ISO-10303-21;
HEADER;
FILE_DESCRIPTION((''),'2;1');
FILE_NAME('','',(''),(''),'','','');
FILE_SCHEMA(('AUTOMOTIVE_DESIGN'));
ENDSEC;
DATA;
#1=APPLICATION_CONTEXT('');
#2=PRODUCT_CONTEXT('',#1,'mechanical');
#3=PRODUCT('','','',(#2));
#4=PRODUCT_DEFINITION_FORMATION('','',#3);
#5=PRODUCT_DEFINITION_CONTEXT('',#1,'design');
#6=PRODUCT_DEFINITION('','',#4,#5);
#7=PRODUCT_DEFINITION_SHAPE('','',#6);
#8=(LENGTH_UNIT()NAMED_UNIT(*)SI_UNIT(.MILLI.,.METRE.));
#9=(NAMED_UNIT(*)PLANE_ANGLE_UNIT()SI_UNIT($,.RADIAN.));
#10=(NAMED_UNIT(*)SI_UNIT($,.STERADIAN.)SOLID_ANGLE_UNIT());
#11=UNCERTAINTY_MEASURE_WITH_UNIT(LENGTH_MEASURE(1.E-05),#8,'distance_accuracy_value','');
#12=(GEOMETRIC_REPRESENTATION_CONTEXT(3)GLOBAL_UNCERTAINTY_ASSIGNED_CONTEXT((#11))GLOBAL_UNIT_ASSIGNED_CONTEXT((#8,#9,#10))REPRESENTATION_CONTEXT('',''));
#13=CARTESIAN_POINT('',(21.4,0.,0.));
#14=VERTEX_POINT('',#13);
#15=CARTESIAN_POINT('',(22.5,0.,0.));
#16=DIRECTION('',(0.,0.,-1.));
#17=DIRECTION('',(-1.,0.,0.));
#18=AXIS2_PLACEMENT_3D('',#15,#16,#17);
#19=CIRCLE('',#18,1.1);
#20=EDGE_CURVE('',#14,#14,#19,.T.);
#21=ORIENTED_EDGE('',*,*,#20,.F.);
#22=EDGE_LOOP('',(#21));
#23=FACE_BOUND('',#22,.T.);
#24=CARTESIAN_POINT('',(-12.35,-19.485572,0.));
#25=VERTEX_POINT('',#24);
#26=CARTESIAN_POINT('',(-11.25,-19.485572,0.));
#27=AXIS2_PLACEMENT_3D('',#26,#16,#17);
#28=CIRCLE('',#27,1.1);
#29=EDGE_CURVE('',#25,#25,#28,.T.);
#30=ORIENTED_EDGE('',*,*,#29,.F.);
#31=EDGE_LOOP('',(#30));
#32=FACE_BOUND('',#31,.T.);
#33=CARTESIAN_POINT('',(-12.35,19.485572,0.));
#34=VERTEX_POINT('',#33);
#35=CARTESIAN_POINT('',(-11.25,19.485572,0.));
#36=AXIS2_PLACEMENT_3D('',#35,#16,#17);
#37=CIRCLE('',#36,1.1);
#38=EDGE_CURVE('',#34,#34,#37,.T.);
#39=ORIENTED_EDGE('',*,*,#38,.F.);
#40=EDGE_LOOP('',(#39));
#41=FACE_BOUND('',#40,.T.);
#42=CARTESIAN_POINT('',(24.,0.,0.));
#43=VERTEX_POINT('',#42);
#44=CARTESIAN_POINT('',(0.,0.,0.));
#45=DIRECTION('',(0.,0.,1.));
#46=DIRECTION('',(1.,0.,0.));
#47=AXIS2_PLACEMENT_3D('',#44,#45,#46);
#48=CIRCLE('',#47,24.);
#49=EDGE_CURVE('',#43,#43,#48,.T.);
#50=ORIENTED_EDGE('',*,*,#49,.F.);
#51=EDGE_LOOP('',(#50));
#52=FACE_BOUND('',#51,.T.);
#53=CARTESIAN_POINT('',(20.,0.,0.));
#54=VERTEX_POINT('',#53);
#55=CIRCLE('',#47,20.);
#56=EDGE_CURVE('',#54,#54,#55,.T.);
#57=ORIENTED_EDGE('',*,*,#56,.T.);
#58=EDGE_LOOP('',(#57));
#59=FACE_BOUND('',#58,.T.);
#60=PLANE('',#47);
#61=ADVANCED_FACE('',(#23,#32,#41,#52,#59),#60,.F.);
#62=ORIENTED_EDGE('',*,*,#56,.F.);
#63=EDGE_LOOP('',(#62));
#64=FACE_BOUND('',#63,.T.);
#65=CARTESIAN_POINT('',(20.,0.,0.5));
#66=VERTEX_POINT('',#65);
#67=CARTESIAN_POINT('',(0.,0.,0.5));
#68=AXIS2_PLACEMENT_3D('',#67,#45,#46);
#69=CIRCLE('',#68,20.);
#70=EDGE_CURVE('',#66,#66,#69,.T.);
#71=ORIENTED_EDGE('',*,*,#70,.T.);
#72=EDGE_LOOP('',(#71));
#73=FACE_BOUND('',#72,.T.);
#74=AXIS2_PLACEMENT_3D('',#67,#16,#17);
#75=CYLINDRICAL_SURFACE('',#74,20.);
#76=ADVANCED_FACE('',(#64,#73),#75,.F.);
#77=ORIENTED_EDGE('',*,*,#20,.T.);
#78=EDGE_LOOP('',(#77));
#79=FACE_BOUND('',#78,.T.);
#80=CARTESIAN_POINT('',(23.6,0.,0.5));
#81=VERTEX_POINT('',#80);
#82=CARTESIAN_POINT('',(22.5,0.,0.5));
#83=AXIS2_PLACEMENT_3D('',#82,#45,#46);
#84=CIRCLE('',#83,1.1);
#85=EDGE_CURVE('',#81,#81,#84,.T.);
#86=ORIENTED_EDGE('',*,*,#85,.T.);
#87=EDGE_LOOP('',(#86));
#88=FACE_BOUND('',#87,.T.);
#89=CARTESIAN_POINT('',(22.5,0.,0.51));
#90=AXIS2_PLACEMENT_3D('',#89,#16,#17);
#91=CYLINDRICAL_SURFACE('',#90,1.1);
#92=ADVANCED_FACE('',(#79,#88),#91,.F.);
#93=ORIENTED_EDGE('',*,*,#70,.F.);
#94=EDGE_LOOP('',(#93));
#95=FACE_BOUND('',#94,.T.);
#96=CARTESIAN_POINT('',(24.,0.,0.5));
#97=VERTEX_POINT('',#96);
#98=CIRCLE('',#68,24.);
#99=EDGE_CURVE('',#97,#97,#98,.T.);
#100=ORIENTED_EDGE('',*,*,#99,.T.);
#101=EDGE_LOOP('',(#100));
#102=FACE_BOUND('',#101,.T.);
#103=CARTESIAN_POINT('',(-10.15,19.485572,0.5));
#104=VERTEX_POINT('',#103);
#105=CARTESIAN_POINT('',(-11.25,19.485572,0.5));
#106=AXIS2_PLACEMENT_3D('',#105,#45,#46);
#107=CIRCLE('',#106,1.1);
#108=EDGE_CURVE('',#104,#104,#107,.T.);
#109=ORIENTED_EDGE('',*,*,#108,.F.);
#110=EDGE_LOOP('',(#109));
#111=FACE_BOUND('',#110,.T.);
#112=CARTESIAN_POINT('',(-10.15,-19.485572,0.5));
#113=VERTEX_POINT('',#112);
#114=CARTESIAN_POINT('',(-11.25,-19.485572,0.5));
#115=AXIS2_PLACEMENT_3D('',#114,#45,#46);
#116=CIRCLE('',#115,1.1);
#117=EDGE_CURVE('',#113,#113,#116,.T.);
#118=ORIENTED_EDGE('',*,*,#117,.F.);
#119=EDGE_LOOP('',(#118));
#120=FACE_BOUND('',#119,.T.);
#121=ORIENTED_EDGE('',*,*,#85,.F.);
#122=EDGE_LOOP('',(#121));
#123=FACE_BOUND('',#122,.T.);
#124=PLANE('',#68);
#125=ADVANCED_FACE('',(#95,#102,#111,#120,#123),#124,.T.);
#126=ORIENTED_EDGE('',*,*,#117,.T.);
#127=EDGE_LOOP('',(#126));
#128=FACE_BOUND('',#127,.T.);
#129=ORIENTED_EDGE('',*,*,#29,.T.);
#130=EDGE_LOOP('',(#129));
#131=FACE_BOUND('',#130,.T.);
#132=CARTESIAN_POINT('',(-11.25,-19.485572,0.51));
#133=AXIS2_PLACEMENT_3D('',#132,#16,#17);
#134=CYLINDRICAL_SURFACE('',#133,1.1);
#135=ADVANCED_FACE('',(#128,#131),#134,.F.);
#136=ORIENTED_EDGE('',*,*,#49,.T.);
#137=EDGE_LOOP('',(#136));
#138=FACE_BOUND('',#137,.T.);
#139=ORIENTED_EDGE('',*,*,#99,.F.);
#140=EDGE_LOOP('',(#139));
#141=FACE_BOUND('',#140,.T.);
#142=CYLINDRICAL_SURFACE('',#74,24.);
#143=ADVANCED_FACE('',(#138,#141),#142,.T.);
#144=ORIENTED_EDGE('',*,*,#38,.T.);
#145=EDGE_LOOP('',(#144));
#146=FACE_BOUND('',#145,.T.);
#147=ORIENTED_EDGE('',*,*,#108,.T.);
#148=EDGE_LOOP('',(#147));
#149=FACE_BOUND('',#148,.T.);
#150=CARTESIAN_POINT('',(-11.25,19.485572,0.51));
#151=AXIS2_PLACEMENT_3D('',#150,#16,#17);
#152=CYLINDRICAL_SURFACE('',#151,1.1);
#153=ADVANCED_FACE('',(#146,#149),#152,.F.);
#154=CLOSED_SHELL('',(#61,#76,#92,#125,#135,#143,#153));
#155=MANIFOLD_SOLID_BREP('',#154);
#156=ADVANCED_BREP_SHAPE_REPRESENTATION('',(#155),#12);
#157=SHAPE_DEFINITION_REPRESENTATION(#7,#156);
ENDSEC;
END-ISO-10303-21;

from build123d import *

# Parameters (mm, degrees)
SKETCH1_R                 = 24
SKETCH1_R_2               = 20
BOSS_EXTRUDE1_DEPTH       = 0.5
SKETCH2_R                 = 1.1
RETAINER_THREE_D2P2_DEPTH = 0.51


with BuildPart() as part:
    # Sketch1 → Boss-Extrude1 (new body)
    with BuildSketch(Plane.XY):
        Circle(SKETCH1_R)
        Circle(SKETCH1_R_2, mode=Mode.SUBTRACT)
    extrude(amount=BOSS_EXTRUDE1_DEPTH)

    # Sketch2 → Retainer_Three_D2p2 (cut)
    with BuildSketch(Plane(origin=(0, 0, 0), x_dir=(-1, 0, 0), z_dir=(0, 0, -1))):
        with Locations((-22.5, 0)):
            Circle(SKETCH2_R)
        with Locations((11.25, 19.485571585)):
            Circle(SKETCH2_R)
        with Locations((11.25, -19.485571585)):
            Circle(SKETCH2_R)
    extrude(amount=-RETAINER_THREE_D2P2_DEPTH, mode=Mode.SUBTRACT)


solid = part.part
